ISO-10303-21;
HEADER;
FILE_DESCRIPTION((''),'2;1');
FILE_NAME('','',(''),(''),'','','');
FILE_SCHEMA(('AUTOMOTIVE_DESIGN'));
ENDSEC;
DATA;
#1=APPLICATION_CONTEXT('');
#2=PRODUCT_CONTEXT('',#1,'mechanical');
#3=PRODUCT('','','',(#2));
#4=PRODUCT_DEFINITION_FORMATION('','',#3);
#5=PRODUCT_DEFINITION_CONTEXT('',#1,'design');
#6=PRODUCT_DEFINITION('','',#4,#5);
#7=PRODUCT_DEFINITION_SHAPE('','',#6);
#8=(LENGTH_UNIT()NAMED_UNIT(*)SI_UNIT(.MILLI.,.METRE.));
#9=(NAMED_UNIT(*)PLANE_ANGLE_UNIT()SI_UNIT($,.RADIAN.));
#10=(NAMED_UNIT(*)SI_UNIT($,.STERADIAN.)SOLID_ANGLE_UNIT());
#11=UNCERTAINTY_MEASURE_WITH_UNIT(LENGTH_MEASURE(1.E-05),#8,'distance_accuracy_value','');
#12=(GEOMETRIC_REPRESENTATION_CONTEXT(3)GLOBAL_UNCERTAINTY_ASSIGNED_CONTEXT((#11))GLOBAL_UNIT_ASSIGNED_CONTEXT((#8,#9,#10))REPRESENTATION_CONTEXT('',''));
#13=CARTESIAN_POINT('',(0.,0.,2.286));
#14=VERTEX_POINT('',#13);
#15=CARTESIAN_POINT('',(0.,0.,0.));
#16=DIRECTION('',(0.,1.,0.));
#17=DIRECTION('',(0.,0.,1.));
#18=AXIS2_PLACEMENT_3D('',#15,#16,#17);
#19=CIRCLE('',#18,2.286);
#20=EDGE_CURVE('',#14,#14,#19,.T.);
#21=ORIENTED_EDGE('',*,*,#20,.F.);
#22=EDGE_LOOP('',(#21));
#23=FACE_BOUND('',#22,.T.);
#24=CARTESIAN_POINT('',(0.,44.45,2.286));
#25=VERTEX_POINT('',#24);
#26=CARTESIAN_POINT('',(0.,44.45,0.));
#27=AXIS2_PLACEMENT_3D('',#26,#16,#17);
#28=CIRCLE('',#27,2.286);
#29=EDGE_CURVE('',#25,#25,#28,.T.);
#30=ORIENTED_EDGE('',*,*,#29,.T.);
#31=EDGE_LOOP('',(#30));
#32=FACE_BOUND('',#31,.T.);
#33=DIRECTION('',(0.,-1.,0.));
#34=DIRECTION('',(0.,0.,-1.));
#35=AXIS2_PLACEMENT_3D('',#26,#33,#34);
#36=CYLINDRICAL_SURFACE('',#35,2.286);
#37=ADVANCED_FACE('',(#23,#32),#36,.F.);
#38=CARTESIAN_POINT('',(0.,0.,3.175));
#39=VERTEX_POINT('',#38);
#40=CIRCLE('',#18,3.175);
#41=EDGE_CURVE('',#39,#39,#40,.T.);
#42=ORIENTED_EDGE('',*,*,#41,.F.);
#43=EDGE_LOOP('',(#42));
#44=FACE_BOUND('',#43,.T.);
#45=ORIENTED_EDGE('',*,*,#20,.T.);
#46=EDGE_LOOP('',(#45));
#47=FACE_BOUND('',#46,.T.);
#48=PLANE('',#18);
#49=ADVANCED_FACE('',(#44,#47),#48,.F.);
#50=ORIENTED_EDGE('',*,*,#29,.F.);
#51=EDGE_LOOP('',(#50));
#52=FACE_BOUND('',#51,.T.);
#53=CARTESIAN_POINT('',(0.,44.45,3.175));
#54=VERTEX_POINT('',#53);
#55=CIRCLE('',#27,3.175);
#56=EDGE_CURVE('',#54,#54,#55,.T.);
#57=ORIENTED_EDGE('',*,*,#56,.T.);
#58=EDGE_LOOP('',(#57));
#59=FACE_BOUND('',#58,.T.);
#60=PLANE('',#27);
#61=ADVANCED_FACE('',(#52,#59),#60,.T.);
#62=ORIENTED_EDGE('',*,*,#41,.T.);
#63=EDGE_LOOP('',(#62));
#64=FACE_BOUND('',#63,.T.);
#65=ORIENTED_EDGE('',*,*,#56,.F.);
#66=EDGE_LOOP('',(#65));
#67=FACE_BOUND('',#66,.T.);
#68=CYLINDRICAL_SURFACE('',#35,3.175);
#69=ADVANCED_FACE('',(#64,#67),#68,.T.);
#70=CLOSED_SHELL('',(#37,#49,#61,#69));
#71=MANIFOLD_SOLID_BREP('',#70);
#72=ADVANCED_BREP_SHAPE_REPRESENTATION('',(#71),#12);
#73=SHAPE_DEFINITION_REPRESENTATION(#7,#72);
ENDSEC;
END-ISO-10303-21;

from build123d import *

# Parameters (mm, degrees)
SKETCH1_R           = 3.175
SKETCH1_R_2         = 2.286
BOSS_EXTRUDE1_DEPTH = 44.45


with BuildPart() as part:
    # Sketch1 → Boss-Extrude1 (new body)
    with BuildSketch(Plane(origin=(0, 0, 0), x_dir=(1, 0, 0), z_dir=(0, 1, 0))):
        Circle(SKETCH1_R)
        Circle(SKETCH1_R_2, mode=Mode.SUBTRACT)
    extrude(amount=BOSS_EXTRUDE1_DEPTH)


solid = part.part
